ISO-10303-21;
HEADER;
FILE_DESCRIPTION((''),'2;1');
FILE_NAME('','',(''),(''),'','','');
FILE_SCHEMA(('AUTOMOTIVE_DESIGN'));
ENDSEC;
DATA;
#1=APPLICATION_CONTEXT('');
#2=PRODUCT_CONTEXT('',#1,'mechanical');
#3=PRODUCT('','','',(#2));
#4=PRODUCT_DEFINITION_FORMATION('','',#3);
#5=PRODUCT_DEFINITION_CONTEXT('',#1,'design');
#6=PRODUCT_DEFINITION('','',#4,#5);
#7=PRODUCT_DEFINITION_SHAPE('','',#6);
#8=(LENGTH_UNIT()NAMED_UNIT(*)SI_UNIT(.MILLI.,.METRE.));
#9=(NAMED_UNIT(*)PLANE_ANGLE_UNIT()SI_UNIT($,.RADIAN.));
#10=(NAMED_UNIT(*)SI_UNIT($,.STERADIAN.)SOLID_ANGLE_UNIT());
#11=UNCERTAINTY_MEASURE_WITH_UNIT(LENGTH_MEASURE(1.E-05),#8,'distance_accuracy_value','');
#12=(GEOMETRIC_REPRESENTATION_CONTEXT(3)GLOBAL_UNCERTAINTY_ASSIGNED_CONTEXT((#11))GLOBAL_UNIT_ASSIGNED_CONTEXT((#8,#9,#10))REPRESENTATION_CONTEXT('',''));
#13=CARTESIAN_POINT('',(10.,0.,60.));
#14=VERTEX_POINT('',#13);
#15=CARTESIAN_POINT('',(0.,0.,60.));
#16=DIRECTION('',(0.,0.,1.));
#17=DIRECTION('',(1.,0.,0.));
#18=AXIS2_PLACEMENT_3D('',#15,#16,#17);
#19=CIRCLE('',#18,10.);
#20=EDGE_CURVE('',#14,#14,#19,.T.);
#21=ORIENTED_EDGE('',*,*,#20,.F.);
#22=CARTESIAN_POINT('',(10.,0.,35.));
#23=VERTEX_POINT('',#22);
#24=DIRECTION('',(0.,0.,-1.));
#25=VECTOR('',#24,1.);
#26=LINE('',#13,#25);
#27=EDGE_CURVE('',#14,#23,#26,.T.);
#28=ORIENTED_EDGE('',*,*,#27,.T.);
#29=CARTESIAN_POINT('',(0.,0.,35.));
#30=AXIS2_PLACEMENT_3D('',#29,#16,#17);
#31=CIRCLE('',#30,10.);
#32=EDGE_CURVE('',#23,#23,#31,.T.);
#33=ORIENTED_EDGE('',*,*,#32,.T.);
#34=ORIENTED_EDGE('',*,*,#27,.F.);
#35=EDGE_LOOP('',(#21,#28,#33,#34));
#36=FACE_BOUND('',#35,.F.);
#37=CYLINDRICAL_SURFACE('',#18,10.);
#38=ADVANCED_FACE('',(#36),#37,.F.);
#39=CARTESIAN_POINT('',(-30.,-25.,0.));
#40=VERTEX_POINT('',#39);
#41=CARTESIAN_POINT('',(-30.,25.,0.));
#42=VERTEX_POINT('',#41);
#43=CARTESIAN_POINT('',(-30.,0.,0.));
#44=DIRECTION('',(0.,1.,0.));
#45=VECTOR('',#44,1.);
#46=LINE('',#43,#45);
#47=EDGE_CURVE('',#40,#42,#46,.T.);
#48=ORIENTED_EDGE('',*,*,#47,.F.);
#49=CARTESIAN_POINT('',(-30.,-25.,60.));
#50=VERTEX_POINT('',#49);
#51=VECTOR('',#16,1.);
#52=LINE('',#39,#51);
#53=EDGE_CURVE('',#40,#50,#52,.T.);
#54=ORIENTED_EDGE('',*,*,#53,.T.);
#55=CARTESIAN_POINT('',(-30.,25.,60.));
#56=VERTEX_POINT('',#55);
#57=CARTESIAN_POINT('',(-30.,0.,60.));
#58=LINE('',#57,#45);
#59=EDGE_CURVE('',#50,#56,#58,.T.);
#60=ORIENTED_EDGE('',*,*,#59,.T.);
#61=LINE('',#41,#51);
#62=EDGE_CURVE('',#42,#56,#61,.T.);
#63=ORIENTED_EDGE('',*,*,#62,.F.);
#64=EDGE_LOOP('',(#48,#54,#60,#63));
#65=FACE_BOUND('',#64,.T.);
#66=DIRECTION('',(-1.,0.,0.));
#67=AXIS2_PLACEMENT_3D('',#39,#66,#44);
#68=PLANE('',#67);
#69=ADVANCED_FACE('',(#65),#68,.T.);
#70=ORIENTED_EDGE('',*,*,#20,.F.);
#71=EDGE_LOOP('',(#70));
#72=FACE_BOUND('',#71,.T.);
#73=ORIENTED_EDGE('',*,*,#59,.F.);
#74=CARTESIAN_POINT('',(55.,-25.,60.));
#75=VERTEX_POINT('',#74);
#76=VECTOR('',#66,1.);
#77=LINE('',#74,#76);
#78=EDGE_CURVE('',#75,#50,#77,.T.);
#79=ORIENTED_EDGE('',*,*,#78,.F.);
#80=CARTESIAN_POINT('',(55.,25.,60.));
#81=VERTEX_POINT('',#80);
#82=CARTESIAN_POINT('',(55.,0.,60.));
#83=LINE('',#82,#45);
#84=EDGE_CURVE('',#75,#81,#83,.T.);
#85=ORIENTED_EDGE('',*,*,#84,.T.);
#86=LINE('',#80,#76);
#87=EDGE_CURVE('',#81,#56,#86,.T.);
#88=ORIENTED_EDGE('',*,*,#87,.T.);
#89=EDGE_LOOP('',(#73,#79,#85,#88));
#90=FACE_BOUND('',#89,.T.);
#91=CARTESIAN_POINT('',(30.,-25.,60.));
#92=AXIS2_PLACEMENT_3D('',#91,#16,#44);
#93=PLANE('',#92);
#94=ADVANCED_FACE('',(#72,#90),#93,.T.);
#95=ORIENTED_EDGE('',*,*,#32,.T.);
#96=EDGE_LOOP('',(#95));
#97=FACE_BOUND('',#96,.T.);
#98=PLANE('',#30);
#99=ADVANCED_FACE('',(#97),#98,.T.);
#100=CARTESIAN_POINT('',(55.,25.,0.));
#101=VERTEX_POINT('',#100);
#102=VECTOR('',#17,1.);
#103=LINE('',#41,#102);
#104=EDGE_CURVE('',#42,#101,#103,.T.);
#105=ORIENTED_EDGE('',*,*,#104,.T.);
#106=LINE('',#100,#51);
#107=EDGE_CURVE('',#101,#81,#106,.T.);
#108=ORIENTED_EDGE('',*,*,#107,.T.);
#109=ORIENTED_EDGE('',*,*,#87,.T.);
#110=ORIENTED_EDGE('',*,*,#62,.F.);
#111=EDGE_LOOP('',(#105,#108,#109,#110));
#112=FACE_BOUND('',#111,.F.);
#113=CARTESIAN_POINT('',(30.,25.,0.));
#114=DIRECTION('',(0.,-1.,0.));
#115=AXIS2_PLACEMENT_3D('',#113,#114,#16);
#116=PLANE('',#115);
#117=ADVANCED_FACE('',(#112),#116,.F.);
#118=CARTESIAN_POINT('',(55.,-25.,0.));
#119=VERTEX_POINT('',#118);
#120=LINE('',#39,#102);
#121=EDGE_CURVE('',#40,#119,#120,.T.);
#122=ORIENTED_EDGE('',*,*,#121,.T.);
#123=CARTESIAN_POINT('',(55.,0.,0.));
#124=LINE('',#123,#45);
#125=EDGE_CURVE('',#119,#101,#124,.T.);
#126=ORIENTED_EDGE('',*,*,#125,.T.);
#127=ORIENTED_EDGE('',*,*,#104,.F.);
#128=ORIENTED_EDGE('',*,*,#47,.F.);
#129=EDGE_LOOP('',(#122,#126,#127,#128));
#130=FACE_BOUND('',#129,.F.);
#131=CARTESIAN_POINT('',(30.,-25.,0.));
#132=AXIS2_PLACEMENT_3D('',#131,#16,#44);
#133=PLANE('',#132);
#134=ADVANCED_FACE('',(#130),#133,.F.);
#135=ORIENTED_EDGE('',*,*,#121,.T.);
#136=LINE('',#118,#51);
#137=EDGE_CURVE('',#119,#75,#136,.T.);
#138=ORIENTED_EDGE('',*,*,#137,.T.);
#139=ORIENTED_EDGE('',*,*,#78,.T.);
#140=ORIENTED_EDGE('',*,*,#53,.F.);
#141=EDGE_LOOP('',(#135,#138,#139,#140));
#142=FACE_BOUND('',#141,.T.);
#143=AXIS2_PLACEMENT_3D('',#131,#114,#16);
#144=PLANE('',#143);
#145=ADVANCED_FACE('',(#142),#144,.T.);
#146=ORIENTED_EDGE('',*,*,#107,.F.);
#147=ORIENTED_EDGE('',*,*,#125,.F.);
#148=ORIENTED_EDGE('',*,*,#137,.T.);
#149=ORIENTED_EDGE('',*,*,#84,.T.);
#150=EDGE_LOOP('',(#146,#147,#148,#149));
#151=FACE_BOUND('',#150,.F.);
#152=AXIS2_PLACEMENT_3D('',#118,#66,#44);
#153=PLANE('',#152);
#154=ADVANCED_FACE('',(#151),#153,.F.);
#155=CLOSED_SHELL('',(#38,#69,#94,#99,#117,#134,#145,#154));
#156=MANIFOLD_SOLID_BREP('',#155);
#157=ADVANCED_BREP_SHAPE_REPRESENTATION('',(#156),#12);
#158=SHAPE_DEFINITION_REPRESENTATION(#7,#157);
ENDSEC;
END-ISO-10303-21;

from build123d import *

# Parameters (mm, degrees)
F0_W     = 60
F0_H     = 50
F1_DEPTH = 60
F2_R     = 10
F3_DEPTH = 25
F4_DEPTH = 25


with BuildPart() as f1:
    # F0 (on Top) → F1 (new body)
    with BuildSketch(Plane.XY):
        Rectangle(F0_W, F0_H)
    extrude(amount=F1_DEPTH)

    # F2 (on face) → F3 (cut)
    with BuildSketch(Plane.XY.offset(60)):
        Circle(F2_R)
    extrude(amount=-F3_DEPTH, mode=Mode.SUBTRACT)

    # F4 (add): a face of the model
    f4_faces = [f1.faces().sort_by_distance(p)[0] for p in [
        (30, 0, 30),
    ]]
    extrude(f4_faces, amount=F4_DEPTH)


solid = f1.part
